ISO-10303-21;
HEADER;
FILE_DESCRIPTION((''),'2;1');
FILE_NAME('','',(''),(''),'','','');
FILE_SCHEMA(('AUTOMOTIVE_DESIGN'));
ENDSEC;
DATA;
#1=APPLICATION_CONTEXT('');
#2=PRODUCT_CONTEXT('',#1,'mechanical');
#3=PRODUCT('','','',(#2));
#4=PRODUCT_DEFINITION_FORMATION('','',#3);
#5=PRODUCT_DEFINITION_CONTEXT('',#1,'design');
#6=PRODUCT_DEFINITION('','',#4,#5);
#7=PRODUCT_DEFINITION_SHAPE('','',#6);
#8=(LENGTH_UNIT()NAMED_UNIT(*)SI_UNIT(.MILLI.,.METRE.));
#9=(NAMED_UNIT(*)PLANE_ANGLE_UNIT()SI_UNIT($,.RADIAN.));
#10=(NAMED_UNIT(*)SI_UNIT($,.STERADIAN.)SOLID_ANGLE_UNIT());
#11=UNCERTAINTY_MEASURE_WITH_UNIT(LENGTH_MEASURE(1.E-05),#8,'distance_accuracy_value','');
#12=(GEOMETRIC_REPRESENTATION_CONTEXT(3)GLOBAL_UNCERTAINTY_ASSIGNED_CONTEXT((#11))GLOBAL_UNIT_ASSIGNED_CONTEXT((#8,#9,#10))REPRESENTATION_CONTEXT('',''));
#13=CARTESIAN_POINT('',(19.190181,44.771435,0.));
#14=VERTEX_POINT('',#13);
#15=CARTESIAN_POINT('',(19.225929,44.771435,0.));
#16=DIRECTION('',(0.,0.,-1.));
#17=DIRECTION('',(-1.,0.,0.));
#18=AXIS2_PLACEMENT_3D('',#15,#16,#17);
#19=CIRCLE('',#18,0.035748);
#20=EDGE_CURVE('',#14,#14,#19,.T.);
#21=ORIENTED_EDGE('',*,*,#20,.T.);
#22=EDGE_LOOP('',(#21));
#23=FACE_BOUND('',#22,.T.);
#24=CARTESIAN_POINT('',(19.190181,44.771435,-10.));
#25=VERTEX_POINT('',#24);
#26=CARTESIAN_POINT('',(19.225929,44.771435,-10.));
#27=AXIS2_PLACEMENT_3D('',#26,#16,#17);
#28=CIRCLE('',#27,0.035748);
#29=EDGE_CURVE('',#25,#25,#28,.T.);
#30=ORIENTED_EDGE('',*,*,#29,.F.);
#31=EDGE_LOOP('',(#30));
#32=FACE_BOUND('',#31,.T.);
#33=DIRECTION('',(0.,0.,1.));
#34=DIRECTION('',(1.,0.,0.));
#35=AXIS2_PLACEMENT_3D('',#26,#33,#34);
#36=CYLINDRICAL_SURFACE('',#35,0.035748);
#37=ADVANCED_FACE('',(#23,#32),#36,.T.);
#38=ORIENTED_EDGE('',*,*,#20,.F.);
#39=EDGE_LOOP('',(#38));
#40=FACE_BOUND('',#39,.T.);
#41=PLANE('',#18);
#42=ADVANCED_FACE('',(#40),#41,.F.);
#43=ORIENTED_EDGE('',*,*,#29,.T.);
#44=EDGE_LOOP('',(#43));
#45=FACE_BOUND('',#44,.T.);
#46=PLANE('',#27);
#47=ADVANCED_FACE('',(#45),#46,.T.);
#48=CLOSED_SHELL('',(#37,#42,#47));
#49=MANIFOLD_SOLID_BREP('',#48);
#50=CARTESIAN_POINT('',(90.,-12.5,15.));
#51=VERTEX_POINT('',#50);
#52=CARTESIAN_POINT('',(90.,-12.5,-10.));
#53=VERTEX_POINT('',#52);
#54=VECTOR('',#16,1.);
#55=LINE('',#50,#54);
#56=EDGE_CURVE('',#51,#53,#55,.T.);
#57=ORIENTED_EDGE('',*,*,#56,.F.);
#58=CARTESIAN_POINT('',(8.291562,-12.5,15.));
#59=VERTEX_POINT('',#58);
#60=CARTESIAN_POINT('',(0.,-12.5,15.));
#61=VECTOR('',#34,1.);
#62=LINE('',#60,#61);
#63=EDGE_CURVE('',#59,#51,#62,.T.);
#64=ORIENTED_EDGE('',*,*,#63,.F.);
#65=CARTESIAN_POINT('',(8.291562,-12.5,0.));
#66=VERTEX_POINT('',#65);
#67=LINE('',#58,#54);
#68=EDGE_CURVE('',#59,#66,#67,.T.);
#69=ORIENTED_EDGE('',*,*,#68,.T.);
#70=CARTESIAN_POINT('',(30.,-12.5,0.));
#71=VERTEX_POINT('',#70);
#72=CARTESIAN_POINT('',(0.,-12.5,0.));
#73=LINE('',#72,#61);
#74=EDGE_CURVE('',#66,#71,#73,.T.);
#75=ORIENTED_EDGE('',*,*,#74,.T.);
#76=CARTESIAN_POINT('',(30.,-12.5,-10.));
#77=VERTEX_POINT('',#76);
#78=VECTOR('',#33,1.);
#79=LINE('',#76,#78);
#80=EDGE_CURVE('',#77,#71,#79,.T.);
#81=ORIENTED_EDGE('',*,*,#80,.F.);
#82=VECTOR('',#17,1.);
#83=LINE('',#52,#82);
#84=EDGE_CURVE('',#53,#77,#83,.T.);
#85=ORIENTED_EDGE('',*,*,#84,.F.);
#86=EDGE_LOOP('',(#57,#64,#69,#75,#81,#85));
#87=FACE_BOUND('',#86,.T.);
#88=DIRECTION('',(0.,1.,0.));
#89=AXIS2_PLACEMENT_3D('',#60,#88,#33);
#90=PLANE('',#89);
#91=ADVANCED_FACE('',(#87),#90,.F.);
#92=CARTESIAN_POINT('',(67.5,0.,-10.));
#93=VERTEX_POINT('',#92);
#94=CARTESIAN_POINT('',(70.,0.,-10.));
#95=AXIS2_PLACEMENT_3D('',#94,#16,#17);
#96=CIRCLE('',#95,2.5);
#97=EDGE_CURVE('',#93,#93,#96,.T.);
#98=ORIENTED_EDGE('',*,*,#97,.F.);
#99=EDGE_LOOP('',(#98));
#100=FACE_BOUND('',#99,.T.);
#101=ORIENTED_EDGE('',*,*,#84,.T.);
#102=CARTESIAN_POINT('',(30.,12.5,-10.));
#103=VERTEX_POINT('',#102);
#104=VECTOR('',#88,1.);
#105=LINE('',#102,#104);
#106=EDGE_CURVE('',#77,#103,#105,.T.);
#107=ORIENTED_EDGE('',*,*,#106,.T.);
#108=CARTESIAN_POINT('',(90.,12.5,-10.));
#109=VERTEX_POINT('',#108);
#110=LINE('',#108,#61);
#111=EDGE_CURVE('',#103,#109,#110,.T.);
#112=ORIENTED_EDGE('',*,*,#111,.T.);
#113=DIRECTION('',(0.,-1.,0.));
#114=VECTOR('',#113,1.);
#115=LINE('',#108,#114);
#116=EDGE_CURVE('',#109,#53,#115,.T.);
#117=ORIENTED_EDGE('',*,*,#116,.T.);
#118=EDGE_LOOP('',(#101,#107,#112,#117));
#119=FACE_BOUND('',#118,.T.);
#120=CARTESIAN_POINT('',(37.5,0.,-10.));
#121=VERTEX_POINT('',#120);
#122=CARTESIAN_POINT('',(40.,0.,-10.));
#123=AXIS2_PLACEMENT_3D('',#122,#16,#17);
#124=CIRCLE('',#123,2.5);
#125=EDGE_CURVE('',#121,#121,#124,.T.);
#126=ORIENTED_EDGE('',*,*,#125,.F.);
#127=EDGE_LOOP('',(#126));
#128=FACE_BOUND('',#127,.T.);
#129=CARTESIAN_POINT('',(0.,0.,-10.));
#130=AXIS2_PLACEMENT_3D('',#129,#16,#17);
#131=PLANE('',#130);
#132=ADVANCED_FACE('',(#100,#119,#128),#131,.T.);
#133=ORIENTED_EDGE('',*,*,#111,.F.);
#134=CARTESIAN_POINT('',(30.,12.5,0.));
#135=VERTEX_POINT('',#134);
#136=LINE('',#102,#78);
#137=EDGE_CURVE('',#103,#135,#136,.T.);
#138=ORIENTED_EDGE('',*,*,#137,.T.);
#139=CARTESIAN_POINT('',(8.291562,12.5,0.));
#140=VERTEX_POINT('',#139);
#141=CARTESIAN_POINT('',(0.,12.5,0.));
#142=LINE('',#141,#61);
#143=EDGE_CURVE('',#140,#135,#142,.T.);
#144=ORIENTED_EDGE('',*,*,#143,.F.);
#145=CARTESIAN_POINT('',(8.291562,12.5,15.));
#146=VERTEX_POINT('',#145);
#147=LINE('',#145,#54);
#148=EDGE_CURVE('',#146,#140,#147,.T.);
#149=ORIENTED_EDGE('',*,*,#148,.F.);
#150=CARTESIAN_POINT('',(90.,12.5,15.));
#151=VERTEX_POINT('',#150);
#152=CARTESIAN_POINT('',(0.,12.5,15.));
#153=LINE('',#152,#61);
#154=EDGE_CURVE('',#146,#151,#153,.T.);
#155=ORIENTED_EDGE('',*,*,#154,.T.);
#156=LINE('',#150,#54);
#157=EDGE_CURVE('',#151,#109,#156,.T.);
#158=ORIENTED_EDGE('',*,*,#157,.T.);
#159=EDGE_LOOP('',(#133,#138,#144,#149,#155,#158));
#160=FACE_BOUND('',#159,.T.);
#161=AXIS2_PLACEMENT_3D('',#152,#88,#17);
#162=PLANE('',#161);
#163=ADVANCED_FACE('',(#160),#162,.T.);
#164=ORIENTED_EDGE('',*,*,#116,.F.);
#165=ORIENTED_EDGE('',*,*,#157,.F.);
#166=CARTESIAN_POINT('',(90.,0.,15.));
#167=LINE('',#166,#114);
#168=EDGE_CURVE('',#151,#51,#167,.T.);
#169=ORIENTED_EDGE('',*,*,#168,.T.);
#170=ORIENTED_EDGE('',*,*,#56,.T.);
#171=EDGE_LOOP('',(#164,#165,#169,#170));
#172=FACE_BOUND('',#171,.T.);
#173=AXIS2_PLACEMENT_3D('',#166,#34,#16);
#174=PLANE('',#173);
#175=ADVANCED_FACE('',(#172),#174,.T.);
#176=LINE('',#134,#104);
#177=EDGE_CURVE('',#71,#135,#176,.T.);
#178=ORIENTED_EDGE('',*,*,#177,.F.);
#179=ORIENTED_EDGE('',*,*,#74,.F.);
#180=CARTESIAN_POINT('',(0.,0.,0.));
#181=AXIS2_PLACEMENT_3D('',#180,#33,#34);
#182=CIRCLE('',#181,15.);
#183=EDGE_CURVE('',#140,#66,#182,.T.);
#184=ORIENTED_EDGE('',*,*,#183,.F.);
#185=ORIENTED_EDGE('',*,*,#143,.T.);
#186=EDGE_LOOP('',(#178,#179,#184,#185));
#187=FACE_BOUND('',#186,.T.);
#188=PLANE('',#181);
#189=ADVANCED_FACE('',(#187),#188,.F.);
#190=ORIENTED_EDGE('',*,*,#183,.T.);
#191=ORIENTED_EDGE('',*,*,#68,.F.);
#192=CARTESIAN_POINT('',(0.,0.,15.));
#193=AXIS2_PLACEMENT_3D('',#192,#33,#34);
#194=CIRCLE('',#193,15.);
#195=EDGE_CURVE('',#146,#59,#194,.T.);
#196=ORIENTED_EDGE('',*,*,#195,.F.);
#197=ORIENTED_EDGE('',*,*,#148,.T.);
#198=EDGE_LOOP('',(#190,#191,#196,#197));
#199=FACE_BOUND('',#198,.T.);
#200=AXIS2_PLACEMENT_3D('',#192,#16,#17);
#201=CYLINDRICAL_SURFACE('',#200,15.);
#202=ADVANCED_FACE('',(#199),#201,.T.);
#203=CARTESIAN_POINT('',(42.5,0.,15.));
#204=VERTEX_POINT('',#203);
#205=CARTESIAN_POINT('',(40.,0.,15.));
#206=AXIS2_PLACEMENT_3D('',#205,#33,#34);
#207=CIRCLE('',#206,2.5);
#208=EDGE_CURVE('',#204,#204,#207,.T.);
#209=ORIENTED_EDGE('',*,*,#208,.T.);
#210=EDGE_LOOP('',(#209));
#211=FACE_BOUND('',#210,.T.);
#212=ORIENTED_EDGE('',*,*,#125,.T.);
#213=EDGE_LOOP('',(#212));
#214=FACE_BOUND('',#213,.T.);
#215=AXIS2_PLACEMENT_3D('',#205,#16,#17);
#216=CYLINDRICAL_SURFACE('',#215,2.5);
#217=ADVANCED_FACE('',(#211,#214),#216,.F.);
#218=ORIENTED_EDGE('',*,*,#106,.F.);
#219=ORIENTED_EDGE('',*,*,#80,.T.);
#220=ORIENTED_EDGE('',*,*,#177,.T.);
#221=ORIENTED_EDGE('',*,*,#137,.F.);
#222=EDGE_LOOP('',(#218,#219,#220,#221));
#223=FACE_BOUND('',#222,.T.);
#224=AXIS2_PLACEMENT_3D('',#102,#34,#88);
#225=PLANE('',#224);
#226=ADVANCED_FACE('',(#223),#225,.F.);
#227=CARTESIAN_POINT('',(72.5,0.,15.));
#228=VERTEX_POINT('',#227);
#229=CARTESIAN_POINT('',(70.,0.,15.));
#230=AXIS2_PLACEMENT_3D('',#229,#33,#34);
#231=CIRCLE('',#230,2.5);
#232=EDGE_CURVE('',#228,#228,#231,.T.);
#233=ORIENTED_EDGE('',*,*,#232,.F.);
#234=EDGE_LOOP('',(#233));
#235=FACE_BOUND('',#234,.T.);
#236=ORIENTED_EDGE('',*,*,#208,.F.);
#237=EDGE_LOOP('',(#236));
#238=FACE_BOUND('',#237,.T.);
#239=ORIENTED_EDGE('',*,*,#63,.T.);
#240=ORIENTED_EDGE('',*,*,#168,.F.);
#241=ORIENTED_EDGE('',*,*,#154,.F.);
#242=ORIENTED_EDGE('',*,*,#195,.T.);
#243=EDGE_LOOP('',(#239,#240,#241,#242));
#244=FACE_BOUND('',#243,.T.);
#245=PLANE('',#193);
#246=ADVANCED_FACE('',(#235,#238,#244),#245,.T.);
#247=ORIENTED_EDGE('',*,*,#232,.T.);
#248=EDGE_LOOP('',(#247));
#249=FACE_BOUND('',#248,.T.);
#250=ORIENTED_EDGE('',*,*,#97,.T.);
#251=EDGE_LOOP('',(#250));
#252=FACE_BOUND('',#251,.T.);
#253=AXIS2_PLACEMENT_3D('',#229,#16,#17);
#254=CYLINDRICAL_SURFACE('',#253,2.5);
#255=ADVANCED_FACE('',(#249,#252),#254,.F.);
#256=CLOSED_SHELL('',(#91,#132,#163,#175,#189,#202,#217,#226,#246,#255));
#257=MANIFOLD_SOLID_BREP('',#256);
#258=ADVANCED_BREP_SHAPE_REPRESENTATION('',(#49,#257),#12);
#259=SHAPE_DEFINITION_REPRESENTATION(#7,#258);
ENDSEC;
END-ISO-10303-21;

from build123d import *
from build123d.topology import SkipClean

# Parameters (mm, degrees)
SKETCH2_R           = 2.5
BOSS_EXTRUDE1_DEPTH = 15
BOSS_EXTRUDE2_START = 10
SKETCH3_R           = 0.035747797
SKETCH3_W           = 60
SKETCH3_H           = 25
SKETCH3_R_2         = 2.5
BOSS_EXTRUDE2_DEPTH = 10


with BuildPart() as part:
    # Sketch2 → Boss-Extrude1 (new body)
    # profile 1 of 5: a face of its own
    with BuildSketch(Plane.XY):
        with BuildLine():
            Line((0, -12.5), (0, 12.5))
            Line((0, 12.5), (8.291561976, 12.5))
            ThreePointArc((8.291561976, 12.5), (-15, 0), (8.291561976, -12.5))
            Line((8.291561976, -12.5), (0, -12.5))
        make_face()
    # profile 2 of 5: a face of its own
    with BuildSketch(Plane.XY):
        with BuildLine():
            Line((8.291561976, 12.5), (0, 12.5))
            Line((0, 12.5), (0, -12.5))
            Line((0, -12.5), (8.291561976, -12.5))
            ThreePointArc((8.291561976, -12.5), (13.216910184, -7.093185827), (15, 0))
            ThreePointArc((15, 0), (13.216910184, 7.093185827), (8.291561976, 12.5))
        make_face()
    # profile 3 of 5: a face of its own
    with BuildSketch(Plane.XY):
        with BuildLine():
            Line((0, -12.5), (0, 12.5))
            Line((0, 12.5), (8.291561976, 12.5))
            ThreePointArc((8.291561976, 12.5), (-15, 0), (8.291561976, -12.5))
            Line((8.291561976, -12.5), (0, -12.5))
        make_face()
    # profile 4 of 5: a face of its own
    with BuildSketch(Plane.XY):
        with BuildLine():
            Line((8.291561976, 12.5), (0, 12.5))
            Line((0, 12.5), (0, -12.5))
            Line((0, -12.5), (8.291561976, -12.5))
            ThreePointArc((8.291561976, -12.5), (13.216910184, -7.093185827), (15, 0))
            ThreePointArc((15, 0), (13.216910184, 7.093185827), (8.291561976, 12.5))
        make_face()
    # profile 5 of 5: a face of its own
    with BuildSketch(Plane.XY):
        with BuildLine():
            Line((90, 12.5), (8.291561976, 12.5))
            ThreePointArc((8.291561976, 12.5), (13.216910184, 7.093185827), (15, 0))
            ThreePointArc((15, 0), (13.216910184, -7.093185827), (8.291561976, -12.5))
            Line((8.291561976, -12.5), (90, -12.5))
            Line((90, -12.5), (90, 12.5))
        make_face()
        with Locations((40, 0)):
            Circle(SKETCH2_R, mode=Mode.SUBTRACT)
        with Locations((70, 0)):
            Circle(SKETCH2_R, mode=Mode.SUBTRACT)
    extrude(amount=BOSS_EXTRUDE1_DEPTH)

    # Sketch3 → Boss-Extrude2 (add)
    # profile 1 of 2: a face of its own
    with SkipClean():  # the faces are left unmerged after this step: merging them gives an invalid solid
        with BuildSketch(Plane(origin=(0, 0, 0), x_dir=(-1, 0, 0), z_dir=(0, 0, -1)).offset(BOSS_EXTRUDE2_START)):
            with Locations((-19.225929264, 44.771435035)):
                Circle(SKETCH3_R)
        # profile 2 of 2: a face of its own
        with BuildSketch(Plane(origin=(0, 0, 0), x_dir=(-1, 0, 0), z_dir=(0, 0, -1)).offset(BOSS_EXTRUDE2_START)):
            with Locations((-60, 0)):
                Rectangle(SKETCH3_W, SKETCH3_H)
            with Locations((-40, 0)):
                Circle(SKETCH3_R_2, mode=Mode.SUBTRACT)
            with Locations((-70, 0)):
                Circle(SKETCH3_R_2, mode=Mode.SUBTRACT)
        extrude(amount=-BOSS_EXTRUDE2_DEPTH)


with BuildPart() as boss_extrude2_piece_1:
    # of the separate pieces the step leaves, piece 1, a body of its own (boss_extrude2_pieces)
    add(part.part.solids().sort_by_distance((8.291561976, -12.5, 0))[0])


with BuildPart() as boss_extrude2_piece_2:
    # of the separate pieces the step leaves, piece 2, a body of its own (boss_extrude2_pieces)
    add(part.part.solids().sort_by_distance((19.190181466, 44.771435035, -10))[0])


solid = Compound([boss_extrude2_piece_1.part, boss_extrude2_piece_2.part])
